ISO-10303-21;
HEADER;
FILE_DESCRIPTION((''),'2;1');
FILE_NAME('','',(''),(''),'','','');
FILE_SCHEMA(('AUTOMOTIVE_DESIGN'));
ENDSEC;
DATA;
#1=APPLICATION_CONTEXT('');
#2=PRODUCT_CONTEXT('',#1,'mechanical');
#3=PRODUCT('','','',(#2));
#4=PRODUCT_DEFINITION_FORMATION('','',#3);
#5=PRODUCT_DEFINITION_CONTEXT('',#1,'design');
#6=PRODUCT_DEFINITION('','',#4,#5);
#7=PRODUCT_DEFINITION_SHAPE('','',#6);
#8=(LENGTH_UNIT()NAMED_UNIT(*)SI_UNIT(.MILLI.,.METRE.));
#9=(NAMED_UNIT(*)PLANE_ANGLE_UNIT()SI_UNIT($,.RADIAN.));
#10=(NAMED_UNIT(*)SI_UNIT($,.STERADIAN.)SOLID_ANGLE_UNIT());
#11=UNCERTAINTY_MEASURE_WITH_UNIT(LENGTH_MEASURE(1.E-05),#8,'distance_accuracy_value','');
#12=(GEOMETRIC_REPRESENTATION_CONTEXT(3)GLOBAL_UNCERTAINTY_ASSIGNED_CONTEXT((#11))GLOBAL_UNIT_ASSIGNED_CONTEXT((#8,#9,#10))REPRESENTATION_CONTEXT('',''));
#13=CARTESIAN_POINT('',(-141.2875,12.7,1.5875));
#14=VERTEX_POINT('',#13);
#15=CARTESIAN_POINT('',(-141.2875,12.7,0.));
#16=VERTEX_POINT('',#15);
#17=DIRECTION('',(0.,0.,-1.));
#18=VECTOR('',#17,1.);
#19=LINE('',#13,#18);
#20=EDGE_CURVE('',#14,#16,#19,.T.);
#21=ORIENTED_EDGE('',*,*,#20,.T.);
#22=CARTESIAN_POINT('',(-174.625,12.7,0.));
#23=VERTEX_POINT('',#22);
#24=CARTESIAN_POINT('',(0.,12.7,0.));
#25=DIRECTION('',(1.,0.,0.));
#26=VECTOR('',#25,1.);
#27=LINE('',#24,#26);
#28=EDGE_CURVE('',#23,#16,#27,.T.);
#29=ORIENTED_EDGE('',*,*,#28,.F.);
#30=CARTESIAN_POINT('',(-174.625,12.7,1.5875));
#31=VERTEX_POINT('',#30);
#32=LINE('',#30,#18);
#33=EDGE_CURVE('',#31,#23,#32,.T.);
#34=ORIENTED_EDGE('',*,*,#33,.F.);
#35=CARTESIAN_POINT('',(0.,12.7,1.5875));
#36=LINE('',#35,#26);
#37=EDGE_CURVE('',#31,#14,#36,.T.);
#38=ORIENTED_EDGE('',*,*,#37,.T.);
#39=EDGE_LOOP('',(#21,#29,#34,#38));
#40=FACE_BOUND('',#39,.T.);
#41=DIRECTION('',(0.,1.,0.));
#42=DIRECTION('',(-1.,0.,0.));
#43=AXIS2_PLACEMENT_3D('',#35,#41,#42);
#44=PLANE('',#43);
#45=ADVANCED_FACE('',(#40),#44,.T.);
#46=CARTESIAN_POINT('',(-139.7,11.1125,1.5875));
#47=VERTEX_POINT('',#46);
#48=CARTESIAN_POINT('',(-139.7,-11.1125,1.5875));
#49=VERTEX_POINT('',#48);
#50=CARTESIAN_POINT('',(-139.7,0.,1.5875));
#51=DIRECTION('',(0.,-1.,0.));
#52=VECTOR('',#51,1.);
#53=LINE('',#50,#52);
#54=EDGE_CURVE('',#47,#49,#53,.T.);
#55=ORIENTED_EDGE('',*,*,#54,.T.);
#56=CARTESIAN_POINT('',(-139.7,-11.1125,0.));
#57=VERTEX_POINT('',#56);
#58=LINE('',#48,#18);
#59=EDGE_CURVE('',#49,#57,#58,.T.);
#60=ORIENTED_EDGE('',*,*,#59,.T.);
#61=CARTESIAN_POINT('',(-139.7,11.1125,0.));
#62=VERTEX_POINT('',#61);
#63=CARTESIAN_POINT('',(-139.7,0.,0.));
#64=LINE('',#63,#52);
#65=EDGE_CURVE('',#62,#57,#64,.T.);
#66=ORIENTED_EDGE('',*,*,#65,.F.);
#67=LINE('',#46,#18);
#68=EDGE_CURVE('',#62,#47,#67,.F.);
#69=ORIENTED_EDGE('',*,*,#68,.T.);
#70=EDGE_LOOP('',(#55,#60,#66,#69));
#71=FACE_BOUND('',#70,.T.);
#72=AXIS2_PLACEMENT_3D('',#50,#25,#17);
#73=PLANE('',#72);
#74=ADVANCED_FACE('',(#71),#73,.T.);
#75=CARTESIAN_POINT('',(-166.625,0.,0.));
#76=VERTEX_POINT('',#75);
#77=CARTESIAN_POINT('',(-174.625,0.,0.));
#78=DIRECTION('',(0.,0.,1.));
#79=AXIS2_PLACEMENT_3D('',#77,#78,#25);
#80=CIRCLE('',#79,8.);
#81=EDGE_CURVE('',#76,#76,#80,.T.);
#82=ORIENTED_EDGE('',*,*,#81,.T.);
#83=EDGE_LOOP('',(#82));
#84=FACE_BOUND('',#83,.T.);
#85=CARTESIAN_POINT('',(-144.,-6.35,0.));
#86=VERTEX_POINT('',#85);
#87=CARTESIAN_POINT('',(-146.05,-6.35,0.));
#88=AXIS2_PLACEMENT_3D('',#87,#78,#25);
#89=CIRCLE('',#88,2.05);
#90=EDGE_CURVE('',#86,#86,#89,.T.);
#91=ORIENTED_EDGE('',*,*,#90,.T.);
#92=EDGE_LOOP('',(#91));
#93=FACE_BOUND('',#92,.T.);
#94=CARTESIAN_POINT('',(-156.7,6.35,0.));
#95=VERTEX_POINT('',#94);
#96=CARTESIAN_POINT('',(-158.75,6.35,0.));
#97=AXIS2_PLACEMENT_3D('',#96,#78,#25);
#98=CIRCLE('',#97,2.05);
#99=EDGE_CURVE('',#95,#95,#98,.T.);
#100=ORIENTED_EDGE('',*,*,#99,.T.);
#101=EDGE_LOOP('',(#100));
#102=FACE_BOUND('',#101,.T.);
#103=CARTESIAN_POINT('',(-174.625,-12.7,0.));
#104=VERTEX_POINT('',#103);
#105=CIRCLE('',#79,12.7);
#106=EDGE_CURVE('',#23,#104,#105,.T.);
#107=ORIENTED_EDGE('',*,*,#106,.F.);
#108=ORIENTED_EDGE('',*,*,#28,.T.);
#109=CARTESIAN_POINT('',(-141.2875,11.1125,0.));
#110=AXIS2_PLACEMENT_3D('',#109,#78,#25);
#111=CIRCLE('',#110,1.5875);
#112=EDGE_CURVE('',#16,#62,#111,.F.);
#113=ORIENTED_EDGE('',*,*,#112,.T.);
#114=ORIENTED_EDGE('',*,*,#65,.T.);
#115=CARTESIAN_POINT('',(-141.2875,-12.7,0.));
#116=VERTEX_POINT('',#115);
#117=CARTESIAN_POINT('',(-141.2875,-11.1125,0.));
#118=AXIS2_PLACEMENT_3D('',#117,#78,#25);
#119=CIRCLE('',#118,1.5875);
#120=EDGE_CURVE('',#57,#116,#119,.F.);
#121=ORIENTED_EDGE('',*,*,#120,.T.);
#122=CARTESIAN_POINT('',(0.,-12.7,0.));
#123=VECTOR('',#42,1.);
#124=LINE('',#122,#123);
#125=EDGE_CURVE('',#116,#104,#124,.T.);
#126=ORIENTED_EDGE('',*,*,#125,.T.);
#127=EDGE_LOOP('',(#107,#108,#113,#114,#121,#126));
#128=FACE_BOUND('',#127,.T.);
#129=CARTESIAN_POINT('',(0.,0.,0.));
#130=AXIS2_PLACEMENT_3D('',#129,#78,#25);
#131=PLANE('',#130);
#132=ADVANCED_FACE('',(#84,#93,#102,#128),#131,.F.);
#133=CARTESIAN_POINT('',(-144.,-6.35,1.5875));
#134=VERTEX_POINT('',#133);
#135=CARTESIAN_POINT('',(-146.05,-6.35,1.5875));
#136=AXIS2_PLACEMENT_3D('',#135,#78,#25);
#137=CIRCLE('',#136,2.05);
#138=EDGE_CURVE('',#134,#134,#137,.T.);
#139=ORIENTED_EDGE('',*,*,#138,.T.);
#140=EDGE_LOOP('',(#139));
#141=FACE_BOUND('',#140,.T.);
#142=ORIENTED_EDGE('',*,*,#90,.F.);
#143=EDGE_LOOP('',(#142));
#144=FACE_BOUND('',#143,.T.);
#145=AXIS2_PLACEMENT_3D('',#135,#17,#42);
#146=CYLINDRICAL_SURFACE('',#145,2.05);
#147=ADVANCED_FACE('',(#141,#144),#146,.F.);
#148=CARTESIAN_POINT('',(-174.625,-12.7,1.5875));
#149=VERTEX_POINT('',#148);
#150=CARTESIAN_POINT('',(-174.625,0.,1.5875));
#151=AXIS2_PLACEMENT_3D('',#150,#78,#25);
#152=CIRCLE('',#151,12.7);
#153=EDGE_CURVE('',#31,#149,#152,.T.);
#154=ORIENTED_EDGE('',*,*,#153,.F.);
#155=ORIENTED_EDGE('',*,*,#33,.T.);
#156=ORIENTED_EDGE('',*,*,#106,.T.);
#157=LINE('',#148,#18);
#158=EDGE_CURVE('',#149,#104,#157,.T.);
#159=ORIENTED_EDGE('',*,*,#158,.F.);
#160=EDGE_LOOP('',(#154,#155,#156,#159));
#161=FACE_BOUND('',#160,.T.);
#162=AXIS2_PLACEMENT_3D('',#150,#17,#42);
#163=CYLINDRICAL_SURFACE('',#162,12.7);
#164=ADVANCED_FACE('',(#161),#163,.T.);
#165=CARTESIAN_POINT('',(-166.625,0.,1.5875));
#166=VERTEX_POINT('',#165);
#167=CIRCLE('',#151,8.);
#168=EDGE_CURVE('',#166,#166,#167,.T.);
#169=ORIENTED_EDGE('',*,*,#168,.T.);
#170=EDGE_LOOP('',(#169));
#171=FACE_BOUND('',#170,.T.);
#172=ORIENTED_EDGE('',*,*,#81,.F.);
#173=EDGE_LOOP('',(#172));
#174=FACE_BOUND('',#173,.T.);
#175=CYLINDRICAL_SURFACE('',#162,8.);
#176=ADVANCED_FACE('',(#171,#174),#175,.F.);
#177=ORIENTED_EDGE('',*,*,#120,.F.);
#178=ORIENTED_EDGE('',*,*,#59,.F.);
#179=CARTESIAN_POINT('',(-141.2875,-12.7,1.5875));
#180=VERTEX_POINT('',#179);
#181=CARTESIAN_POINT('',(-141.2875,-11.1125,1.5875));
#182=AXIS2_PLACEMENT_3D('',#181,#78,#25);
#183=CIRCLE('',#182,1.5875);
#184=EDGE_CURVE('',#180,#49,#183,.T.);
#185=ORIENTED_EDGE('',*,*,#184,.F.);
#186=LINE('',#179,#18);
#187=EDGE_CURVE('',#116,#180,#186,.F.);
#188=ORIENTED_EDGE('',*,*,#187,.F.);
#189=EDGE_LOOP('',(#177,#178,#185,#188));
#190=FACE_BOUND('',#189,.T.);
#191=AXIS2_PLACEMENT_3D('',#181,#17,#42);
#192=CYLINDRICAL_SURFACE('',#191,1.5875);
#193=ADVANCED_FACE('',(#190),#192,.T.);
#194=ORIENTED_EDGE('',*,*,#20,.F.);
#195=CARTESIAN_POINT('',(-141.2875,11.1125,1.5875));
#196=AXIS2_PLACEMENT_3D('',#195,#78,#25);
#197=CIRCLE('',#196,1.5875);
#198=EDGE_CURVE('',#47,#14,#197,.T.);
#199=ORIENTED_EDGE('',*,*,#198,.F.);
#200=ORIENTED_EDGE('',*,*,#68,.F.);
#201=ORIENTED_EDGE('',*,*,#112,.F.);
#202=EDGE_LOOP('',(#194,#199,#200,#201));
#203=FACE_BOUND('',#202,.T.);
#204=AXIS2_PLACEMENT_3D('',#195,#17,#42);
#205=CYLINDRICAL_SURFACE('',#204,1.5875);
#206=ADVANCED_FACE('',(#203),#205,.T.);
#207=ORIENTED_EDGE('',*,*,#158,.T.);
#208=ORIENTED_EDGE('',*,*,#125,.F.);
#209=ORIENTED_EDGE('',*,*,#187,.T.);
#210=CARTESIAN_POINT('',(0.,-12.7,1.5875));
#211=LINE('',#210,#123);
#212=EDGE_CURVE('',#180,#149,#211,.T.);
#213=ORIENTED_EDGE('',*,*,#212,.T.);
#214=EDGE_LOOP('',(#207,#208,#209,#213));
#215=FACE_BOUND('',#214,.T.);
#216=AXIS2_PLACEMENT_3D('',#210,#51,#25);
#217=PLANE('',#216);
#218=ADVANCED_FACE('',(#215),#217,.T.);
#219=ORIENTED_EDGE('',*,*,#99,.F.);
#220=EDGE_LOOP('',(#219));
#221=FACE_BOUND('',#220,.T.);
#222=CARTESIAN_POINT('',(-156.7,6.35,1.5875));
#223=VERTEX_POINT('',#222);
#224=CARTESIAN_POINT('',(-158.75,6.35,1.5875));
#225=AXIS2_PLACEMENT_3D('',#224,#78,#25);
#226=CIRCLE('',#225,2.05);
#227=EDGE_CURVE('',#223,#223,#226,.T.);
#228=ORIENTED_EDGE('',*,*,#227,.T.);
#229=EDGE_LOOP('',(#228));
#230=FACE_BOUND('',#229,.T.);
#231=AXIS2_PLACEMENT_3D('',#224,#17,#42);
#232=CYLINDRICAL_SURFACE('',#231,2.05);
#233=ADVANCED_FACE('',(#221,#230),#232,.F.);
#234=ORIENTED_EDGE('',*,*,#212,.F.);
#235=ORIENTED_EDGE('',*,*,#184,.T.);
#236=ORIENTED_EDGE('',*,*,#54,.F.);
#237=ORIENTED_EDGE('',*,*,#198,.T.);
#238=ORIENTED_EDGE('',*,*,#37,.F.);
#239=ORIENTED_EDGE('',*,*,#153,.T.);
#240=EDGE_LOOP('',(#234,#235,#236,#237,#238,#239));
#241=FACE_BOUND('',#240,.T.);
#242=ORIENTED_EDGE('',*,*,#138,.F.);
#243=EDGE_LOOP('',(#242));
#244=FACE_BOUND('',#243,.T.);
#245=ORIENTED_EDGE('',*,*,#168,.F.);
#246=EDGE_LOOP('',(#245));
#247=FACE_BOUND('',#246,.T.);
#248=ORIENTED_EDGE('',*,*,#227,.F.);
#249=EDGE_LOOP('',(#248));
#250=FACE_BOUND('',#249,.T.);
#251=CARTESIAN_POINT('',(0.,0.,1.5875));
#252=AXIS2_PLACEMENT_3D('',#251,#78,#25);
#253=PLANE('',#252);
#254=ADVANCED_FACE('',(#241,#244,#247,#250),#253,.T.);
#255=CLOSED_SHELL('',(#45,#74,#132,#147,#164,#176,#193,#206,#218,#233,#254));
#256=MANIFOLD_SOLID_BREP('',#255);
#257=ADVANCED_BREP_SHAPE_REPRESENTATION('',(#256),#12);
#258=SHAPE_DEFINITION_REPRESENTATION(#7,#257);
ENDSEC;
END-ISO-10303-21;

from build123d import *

# Parameters (mm, degrees)
SKETCH1_R           = 8
SKETCH1_R_2         = 2.05
BOSS_EXTRUDE1_DEPTH = 1.5875
FILLET1_R           = 1.5875


with BuildPart() as part:
    # Sketch1 → Boss-Extrude1 (new body)
    with BuildSketch(Plane.XY):
        with BuildLine():
            ThreePointArc((-165.1, 8.400260413), (-169.399739587, 11.575260413), (-174.625, 12.7))
            ThreePointArc((-174.625, 12.7), (-187.325, 0), (-174.625, -12.7))
            ThreePointArc((-174.625, -12.7), (-169.399739587, -11.575260413), (-165.1, -8.400260413))
            Line((-165.1, -8.400260413), (-165.1, 8.400260413))
        make_face()
        with Locations((-174.625, 0)):
            Circle(SKETCH1_R, mode=Mode.SUBTRACT)
        with BuildLine():
            Line((-165.1, 12.7), (-174.625, 12.7))
            ThreePointArc((-174.625, 12.7), (-169.399739587, 11.575260413), (-165.1, 8.400260413))
            Line((-165.1, 8.400260413), (-165.1, 12.7))
        make_face()
        with BuildLine():
            Line((-139.7, 12.7), (-165.1, 12.7))
            Line((-165.1, 12.7), (-165.1, 8.400260413))
            ThreePointArc((-165.1, 8.400260413), (-162.745237797, 4.490128061), (-161.925, 0))
            ThreePointArc((-161.925, 0), (-162.745237797, -4.490128061), (-165.1, -8.400260413))
            Line((-165.1, -8.400260413), (-165.1, -12.7))
            Line((-165.1, -12.7), (-139.7, -12.7))
            Line((-139.7, -12.7), (-139.7, 12.7))
        make_face()
        with Locations((-146.05, -6.35)):
            Circle(SKETCH1_R_2, mode=Mode.SUBTRACT)
        with Locations((-158.75, 6.35)):
            Circle(SKETCH1_R_2, mode=Mode.SUBTRACT)
        with BuildLine():
            ThreePointArc((-161.925, 0), (-162.745237797, 4.490128061), (-165.1, 8.400260413))
            Line((-165.1, 8.400260413), (-165.1, -8.400260413))
            ThreePointArc((-165.1, -8.400260413), (-162.745237797, -4.490128061), (-161.925, 0))
        make_face()
        with BuildLine():
            ThreePointArc((-165.1, -8.400260413), (-169.399739587, -11.575260413), (-174.625, -12.7))
            Line((-174.625, -12.7), (-165.1, -12.7))
            Line((-165.1, -12.7), (-165.1, -8.400260413))
        make_face()
    extrude(amount=BOSS_EXTRUDE1_DEPTH)

    # Fillet1
    fillet1_edges = [part.edges().sort_by_distance(p)[0] for p in [
        (-139.7, 12.7, 0.79375),
        (-139.7, -12.7, 0.79375),
    ]]
    fillet(fillet1_edges, radius=FILLET1_R)


solid = part.part
